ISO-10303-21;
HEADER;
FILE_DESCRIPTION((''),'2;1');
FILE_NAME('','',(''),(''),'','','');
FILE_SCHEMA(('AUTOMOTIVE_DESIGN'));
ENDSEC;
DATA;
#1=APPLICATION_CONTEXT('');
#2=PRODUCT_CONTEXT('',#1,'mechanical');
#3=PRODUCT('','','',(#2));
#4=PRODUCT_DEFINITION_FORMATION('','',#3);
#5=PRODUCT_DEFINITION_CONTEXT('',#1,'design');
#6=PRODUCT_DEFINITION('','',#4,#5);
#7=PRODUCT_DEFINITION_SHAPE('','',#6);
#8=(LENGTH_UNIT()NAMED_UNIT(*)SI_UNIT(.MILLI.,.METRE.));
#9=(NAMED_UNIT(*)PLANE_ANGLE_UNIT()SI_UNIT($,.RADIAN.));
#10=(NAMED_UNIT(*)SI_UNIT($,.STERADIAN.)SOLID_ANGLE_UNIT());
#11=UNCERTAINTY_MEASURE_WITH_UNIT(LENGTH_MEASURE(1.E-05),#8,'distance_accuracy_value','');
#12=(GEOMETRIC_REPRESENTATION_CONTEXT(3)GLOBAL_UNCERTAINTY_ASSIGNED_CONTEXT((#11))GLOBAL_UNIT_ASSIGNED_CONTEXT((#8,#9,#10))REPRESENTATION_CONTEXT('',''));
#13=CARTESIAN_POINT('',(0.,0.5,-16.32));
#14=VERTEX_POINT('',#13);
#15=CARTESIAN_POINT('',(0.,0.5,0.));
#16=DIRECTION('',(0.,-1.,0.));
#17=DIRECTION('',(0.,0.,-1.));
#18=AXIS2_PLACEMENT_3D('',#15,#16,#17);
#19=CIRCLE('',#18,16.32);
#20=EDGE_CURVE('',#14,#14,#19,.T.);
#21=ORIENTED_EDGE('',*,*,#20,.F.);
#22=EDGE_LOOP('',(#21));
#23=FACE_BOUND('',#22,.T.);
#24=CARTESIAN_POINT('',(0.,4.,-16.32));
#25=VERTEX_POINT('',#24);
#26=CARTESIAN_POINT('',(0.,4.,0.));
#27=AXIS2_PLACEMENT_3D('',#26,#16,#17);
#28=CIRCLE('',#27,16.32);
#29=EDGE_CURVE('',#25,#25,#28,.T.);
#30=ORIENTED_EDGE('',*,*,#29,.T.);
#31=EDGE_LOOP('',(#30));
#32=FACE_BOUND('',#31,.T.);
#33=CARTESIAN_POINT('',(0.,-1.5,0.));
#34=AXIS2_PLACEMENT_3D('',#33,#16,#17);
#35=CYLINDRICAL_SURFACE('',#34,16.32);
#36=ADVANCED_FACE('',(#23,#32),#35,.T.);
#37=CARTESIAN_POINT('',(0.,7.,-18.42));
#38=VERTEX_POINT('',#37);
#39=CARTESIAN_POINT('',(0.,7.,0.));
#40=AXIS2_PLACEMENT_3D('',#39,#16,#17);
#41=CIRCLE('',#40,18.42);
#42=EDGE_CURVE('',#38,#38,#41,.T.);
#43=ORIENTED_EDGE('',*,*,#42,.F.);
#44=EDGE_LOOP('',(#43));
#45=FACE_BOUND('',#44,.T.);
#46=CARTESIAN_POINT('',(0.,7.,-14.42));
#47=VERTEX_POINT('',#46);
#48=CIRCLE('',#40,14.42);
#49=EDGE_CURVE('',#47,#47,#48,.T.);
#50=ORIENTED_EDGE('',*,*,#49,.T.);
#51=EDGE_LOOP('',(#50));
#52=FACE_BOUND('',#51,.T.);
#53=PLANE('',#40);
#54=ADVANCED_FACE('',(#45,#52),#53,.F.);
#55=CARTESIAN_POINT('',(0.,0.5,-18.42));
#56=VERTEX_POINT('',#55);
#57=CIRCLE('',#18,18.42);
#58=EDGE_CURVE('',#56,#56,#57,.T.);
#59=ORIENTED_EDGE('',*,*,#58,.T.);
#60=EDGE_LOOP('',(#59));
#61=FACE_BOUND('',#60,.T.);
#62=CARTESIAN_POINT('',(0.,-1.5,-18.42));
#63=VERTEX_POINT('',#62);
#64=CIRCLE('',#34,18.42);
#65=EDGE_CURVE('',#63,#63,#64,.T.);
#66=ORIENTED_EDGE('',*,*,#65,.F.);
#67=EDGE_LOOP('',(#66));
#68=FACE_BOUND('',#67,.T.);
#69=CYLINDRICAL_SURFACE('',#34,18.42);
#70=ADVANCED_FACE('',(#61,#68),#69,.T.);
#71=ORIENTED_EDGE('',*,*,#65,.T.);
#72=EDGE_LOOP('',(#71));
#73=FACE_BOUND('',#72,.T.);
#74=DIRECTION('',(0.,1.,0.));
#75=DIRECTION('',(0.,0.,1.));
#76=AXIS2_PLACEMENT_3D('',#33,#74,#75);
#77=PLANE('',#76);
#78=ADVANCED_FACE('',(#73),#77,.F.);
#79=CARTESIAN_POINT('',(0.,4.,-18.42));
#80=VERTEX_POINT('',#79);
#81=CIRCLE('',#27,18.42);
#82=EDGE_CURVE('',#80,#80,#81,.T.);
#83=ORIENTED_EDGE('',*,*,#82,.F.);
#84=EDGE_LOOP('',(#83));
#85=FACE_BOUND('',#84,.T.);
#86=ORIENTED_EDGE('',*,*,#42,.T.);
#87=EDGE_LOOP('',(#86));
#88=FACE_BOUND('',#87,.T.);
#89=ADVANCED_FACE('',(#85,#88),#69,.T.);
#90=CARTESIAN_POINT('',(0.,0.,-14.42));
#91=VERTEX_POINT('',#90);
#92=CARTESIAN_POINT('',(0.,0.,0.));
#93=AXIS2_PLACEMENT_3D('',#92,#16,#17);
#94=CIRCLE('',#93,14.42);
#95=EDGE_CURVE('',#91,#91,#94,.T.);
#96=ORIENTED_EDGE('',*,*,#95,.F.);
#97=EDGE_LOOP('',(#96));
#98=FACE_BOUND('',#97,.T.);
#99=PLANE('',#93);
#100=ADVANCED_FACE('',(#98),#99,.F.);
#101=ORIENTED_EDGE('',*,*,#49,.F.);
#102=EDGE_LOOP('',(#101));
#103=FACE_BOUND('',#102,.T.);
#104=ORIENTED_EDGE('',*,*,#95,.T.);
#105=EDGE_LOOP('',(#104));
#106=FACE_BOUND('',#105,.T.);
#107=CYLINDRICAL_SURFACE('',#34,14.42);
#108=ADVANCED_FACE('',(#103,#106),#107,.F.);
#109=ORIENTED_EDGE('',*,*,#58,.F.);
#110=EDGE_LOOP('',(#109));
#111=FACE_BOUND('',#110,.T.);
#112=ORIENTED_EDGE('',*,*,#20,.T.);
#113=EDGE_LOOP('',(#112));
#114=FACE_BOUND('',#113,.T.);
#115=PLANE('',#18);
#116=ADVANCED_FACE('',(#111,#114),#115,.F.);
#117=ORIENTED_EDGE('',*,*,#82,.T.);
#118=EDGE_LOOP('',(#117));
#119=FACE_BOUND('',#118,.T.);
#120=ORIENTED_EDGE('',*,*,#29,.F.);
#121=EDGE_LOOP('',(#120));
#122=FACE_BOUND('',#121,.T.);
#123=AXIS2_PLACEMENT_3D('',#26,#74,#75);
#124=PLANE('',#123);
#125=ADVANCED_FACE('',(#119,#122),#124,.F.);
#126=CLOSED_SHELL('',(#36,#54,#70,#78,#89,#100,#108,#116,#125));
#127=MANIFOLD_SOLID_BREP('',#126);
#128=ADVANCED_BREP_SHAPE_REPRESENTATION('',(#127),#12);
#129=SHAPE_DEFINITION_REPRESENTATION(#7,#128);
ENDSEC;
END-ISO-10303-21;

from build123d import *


with BuildPart() as part:
    # Esboço1 → Revolução1 (revolve)
    with BuildSketch(Plane.XY, mode=Mode.PRIVATE) as revolu_o1_sk:
        Polygon((0, -1.5), (0, 0), (-14.42, 0), (-14.42, 7), (-18.42, 7), (-18.42, 4), (-16.32, 4), (-16.32, 0.5), (-18.42, 0.5), (-18.42, -1.5), align=None)
    revolve(revolu_o1_sk.sketch.rotate(Axis((0, -1.5, 0), (0, 1, 0)), 270), axis=Axis((0, -1.5, 0), (0, 1, 0)))


solid = part.part
